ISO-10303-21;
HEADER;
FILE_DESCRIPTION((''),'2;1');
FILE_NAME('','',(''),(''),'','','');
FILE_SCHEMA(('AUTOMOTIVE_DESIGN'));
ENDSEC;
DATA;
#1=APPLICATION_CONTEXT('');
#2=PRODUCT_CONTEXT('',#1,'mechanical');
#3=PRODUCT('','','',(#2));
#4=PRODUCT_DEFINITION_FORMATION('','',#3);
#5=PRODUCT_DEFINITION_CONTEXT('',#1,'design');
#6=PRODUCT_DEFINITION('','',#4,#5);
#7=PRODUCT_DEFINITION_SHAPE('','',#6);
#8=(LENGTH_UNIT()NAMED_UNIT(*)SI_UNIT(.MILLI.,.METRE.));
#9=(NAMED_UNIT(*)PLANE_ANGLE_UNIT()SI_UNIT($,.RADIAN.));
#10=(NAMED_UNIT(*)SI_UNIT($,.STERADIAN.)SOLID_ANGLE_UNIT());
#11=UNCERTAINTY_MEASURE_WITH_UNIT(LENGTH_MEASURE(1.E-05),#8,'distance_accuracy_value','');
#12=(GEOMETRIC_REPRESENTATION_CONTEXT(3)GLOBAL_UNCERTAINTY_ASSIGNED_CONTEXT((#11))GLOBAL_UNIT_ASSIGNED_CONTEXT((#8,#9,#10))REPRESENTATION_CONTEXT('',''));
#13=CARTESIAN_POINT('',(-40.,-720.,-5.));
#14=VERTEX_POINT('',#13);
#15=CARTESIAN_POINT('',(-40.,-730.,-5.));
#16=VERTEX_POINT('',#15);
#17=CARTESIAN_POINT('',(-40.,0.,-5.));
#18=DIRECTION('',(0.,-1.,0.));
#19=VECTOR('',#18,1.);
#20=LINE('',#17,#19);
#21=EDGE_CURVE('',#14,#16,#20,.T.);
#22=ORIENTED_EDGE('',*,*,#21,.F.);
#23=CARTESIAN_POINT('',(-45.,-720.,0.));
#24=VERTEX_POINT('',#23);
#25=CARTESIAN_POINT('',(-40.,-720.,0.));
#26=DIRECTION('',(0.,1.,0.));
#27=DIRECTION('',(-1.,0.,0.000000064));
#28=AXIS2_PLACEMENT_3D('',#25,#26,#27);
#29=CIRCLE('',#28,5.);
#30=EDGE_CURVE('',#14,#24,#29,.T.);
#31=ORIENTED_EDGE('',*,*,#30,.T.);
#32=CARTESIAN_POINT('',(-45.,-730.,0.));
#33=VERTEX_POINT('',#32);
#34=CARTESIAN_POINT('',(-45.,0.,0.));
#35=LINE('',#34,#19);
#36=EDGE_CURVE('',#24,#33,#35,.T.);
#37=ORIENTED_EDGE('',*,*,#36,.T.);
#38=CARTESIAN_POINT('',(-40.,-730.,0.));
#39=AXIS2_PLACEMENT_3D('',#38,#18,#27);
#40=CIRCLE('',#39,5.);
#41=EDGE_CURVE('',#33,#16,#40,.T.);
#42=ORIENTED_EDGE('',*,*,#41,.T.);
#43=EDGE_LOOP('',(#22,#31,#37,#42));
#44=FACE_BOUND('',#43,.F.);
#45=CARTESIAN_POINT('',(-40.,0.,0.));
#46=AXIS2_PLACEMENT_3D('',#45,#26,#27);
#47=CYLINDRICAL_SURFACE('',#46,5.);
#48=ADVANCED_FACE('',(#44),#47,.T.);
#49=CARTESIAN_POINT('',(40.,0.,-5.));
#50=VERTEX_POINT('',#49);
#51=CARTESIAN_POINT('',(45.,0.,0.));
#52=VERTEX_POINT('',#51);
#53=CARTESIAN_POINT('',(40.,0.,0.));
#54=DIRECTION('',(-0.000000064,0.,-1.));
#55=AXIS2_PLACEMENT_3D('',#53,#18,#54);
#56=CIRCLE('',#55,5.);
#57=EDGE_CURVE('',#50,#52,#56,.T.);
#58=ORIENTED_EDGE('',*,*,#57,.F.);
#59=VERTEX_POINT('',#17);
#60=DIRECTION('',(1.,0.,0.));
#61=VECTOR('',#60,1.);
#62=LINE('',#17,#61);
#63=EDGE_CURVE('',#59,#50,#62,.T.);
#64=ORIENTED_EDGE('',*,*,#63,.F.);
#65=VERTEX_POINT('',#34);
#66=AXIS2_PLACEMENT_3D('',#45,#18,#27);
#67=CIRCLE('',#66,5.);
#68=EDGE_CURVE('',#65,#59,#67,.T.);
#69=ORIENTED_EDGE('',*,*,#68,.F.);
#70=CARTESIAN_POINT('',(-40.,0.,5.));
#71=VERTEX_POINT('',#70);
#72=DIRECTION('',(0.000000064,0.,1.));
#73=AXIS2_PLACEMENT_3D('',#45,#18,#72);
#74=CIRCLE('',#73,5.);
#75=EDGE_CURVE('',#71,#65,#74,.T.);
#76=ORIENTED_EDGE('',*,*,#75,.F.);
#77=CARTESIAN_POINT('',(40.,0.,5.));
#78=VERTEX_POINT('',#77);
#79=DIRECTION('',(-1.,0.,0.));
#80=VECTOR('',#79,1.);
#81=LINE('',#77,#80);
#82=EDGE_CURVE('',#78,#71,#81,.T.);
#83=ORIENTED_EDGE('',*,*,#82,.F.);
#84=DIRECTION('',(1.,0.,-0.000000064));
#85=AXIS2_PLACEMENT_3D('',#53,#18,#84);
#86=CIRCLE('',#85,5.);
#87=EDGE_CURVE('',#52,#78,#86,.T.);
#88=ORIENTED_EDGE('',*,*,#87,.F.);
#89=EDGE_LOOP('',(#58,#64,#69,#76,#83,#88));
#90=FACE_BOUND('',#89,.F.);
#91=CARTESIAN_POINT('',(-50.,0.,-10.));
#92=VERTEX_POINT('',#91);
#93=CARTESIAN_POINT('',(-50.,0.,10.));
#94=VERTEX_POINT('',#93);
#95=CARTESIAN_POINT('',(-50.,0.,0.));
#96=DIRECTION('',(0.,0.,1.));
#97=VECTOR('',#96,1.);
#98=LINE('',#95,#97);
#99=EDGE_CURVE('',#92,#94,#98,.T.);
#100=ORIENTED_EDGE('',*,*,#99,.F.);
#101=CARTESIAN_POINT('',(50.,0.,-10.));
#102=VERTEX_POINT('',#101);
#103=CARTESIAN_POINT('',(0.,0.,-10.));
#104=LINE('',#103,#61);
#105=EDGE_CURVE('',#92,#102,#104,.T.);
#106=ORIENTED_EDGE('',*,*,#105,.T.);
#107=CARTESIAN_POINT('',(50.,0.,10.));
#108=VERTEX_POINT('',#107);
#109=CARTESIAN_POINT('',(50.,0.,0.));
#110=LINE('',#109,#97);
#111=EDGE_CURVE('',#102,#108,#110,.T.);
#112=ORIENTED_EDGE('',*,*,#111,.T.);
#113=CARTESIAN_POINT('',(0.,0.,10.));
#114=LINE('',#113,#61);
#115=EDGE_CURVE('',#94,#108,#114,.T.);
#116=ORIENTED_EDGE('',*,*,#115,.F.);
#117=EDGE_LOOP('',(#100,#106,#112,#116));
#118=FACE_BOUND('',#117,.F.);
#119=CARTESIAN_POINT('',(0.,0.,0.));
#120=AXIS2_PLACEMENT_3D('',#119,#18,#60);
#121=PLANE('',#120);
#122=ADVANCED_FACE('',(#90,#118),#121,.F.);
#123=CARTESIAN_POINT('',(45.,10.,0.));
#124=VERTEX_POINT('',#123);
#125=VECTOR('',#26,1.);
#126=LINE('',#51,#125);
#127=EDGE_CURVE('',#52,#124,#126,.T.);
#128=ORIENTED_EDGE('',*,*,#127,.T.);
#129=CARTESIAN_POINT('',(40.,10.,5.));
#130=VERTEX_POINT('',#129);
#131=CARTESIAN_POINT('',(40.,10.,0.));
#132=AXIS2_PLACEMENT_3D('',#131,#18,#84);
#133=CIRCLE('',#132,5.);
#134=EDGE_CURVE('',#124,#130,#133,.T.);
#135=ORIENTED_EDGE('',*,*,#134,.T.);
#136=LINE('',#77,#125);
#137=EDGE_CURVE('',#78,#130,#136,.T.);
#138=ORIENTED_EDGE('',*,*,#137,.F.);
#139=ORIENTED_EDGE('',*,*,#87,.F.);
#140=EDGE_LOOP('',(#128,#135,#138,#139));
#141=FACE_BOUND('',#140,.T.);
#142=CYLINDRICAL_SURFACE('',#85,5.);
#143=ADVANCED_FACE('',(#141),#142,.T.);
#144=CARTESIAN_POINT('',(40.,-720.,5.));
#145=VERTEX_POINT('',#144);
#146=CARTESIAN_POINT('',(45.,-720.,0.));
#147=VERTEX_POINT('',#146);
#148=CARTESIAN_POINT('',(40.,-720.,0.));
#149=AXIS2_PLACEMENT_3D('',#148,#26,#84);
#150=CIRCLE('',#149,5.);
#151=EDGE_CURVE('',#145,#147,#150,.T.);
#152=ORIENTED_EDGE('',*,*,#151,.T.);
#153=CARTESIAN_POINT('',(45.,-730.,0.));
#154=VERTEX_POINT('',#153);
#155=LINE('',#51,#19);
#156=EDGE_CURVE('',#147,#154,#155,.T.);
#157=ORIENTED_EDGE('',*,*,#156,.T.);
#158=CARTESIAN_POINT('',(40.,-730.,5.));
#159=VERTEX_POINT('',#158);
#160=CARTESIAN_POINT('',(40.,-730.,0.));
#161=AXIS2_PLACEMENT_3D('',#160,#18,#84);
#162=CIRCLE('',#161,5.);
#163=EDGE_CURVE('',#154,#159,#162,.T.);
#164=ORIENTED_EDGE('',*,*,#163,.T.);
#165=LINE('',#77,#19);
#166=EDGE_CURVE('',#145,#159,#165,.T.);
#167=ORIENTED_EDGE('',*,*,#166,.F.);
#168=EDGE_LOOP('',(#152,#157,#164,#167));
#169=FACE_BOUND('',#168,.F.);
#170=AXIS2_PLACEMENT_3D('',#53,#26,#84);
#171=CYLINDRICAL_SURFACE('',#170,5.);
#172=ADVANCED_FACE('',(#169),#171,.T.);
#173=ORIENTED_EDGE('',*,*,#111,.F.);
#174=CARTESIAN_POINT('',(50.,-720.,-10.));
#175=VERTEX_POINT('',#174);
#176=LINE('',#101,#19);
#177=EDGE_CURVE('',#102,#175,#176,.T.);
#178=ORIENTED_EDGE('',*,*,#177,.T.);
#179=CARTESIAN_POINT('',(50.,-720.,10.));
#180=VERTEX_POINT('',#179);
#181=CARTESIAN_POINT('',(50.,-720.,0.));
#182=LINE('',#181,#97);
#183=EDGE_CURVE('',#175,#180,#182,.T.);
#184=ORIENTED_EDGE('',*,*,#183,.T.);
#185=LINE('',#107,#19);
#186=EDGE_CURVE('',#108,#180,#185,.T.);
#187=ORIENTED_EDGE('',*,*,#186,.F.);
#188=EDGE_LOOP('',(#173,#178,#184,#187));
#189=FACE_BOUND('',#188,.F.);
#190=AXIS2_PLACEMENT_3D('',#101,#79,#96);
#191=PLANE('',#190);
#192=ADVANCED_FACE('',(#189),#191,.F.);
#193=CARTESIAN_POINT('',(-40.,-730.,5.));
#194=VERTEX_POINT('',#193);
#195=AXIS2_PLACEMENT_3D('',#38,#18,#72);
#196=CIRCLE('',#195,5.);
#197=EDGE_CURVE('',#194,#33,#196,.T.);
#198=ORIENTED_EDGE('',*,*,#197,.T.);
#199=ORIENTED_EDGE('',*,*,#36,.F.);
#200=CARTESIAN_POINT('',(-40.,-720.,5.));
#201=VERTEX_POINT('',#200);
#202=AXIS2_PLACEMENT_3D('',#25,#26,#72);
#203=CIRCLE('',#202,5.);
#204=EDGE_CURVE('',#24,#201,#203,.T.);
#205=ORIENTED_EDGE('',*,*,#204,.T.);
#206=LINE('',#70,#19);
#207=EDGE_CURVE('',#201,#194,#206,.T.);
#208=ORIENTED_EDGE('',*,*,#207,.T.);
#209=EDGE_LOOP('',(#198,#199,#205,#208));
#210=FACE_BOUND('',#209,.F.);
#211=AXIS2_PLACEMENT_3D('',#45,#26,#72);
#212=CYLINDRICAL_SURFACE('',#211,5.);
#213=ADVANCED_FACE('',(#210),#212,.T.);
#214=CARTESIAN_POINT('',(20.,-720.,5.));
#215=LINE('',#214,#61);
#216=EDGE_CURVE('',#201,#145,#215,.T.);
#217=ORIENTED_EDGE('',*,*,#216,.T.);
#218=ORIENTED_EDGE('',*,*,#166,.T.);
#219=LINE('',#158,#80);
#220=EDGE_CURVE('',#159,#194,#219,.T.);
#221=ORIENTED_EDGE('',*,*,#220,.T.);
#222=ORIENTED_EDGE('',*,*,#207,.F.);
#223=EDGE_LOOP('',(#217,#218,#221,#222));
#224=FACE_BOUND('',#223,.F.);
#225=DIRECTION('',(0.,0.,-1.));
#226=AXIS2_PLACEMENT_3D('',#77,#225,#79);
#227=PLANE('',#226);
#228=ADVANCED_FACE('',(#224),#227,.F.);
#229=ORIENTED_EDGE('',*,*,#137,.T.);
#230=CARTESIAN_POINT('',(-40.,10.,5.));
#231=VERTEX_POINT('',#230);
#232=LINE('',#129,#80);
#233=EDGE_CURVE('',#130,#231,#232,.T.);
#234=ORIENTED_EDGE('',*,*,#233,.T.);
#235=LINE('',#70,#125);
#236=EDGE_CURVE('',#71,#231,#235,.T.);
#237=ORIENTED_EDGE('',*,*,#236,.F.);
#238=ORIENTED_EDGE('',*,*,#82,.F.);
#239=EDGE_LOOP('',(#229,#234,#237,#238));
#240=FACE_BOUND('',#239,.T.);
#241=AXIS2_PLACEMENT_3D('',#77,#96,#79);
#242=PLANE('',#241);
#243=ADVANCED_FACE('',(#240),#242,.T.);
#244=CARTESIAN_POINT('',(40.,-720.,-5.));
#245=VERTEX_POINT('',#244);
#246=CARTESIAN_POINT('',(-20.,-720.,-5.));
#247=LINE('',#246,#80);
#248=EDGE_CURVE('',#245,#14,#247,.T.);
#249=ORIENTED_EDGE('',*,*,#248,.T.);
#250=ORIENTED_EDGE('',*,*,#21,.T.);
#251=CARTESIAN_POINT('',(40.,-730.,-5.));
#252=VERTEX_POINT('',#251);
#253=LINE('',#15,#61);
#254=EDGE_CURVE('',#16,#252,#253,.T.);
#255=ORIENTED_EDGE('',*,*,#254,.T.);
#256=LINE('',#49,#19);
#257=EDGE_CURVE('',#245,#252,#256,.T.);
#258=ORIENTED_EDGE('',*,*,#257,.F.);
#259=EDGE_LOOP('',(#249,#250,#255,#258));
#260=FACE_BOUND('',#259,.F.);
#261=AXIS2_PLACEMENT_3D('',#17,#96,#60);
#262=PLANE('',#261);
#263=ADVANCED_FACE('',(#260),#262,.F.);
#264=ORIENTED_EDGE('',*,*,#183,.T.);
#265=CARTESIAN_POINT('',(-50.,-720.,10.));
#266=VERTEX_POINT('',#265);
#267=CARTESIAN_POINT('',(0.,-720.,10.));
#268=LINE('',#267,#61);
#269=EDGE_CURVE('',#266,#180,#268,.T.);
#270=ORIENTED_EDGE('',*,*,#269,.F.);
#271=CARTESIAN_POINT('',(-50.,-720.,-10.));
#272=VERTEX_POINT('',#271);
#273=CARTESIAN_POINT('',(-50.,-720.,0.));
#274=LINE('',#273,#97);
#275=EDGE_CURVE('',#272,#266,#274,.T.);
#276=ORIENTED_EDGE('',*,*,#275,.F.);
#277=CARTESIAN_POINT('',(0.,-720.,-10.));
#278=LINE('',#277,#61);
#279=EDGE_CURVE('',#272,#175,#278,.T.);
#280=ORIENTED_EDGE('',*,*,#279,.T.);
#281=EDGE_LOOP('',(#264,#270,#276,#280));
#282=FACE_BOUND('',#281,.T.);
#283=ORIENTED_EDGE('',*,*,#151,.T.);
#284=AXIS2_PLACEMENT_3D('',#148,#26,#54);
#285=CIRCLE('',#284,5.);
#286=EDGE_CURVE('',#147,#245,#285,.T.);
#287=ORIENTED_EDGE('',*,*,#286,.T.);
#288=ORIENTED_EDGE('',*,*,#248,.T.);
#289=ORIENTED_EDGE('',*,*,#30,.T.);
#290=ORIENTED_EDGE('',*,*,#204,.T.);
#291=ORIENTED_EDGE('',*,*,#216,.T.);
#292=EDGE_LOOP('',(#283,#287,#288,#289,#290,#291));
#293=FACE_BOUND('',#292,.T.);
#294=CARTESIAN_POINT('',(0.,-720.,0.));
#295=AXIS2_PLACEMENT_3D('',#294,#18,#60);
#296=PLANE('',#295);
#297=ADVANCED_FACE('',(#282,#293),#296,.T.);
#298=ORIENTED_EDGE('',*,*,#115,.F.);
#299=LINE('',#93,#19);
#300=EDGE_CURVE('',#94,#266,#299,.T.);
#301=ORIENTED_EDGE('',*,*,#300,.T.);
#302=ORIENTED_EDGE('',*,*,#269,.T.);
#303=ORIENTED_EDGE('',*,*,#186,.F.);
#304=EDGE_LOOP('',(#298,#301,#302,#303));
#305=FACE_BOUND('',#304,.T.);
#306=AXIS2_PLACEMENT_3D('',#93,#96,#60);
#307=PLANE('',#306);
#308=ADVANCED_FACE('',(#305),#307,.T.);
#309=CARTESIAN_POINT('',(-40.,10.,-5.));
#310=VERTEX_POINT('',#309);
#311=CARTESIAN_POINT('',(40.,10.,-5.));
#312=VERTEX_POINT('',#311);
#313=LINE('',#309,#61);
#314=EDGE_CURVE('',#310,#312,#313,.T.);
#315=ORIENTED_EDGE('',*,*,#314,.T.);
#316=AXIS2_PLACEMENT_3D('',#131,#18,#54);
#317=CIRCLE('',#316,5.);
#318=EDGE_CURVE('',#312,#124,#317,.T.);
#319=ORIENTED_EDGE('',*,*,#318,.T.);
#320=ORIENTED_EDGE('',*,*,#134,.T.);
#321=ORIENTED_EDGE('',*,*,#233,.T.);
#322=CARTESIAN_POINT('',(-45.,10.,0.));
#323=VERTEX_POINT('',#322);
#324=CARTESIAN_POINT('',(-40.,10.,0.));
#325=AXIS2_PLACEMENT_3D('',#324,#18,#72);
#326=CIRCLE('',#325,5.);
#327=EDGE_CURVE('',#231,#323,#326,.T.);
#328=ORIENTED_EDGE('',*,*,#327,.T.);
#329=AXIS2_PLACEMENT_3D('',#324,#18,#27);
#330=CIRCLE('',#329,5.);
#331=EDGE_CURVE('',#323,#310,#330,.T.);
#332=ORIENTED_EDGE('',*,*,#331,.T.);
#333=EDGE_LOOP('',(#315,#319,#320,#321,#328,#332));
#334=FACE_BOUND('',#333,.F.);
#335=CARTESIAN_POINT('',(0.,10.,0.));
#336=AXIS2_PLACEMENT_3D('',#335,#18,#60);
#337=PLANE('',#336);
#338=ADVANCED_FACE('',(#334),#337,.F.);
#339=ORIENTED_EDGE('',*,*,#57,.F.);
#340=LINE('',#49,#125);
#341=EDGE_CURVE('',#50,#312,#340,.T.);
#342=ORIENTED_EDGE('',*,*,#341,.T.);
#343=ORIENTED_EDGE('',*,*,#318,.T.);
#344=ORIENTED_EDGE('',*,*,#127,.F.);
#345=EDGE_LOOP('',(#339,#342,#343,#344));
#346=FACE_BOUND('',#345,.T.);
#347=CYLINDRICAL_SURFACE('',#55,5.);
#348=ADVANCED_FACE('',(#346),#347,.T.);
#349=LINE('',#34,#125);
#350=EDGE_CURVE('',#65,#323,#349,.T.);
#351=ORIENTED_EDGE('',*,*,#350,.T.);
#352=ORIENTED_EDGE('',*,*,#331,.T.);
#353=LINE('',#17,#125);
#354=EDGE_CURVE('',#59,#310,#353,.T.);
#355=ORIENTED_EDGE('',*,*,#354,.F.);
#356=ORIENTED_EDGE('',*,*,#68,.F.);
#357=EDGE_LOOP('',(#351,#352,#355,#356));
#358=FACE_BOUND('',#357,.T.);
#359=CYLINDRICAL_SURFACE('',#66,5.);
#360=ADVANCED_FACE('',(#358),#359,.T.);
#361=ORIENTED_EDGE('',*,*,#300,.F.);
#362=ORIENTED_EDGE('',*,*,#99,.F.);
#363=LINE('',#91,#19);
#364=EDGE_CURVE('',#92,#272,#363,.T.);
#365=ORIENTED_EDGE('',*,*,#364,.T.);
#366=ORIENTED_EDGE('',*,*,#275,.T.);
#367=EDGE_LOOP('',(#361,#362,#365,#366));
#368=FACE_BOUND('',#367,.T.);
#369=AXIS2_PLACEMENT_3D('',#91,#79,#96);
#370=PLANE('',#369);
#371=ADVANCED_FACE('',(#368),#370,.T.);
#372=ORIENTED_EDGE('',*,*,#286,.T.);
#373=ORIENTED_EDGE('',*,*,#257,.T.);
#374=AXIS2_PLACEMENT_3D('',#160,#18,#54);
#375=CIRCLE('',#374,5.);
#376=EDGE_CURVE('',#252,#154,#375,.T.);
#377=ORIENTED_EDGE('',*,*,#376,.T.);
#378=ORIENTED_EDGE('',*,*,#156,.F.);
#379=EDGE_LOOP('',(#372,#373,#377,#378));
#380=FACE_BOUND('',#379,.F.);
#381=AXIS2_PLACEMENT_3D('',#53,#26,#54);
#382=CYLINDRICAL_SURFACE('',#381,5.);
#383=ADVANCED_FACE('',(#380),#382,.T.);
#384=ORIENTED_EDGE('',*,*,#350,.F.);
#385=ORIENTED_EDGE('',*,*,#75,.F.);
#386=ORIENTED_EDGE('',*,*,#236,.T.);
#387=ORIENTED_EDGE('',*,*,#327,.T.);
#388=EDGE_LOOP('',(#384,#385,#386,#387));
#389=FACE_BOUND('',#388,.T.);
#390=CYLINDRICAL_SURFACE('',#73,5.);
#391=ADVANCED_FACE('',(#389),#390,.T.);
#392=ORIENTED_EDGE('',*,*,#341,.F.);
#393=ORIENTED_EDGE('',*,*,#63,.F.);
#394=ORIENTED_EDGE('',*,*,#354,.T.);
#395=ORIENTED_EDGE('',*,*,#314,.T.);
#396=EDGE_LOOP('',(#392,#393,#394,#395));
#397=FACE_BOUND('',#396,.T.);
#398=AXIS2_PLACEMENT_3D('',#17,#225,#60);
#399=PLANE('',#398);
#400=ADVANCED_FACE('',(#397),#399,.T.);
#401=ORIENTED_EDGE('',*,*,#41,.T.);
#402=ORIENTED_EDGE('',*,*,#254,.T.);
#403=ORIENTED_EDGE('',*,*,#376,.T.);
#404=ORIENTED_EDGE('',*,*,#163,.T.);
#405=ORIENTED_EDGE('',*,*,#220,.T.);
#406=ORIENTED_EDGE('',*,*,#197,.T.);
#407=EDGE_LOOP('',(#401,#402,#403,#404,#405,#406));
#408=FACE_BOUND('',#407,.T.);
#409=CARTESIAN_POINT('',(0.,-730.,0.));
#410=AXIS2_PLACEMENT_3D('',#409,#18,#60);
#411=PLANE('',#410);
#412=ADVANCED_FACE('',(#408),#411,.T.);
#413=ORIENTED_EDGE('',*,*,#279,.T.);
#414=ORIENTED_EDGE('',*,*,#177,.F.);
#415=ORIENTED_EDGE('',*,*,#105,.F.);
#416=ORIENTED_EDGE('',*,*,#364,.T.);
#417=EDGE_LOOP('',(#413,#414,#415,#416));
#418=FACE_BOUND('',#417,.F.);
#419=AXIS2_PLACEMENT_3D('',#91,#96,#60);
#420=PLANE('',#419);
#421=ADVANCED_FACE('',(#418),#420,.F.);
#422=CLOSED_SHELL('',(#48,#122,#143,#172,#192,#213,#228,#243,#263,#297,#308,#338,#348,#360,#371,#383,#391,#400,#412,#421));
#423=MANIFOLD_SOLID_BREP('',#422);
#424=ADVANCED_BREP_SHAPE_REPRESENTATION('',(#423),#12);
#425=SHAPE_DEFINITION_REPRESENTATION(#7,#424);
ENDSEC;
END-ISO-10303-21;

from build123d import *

# Parameters (mm, degrees)
F0_W     = 100
F0_H     = 20
F1_DEPTH = 720
F2_DEPTH = 10
F3_DEPTH = 730


with BuildPart() as f1:
    # F0 (on Front) → F1 (new body)
    with BuildSketch(Plane.XZ):
        Rectangle(F0_W, F0_H)
        with BuildLine():
            Line((-40, 5), (40, 5))
            ThreePointArc((40, 5), (43.535534, 3.535534), (45, 0))
            ThreePointArc((45, 0), (43.535534, -3.535534), (40, -5))
            Line((40, -5), (-40, -5))
            ThreePointArc((-40, -5), (-43.535534, -3.535534), (-45, 0))
            ThreePointArc((-45, 0), (-43.535534, 3.535534), (-40, 5))
        make_face(mode=Mode.SUBTRACT)
        with BuildLine():
            ThreePointArc((45, 0), (43.535534, 3.535534), (40, 5))
            Line((40, 5), (-40, 5))
            ThreePointArc((-40, 5), (-43.535534, 3.535534), (-45, 0))
            ThreePointArc((-45, 0), (-43.535534, -3.535534), (-40, -5))
            Line((-40, -5), (40, -5))
            ThreePointArc((40, -5), (43.535534, -3.535534), (45, 0))
        make_face()
    extrude(amount=F1_DEPTH)

    # F0 (on Front) → F2 (join)
    with BuildSketch(Plane.XZ):
        with BuildLine():
            ThreePointArc((45, 0), (43.535534, 3.535534), (40, 5))
            Line((40, 5), (-40, 5))
            ThreePointArc((-40, 5), (-43.535534, 3.535534), (-45, 0))
            ThreePointArc((-45, 0), (-43.535534, -3.535534), (-40, -5))
            Line((-40, -5), (40, -5))
            ThreePointArc((40, -5), (43.535534, -3.535534), (45, 0))
        make_face()
    extrude(amount=-F2_DEPTH)

    # F0 (on Front) → F3 (join)
    with BuildSketch(Plane.XZ):
        with BuildLine():
            ThreePointArc((45, 0), (43.535534, 3.535534), (40, 5))
            Line((40, 5), (-40, 5))
            ThreePointArc((-40, 5), (-43.535534, 3.535534), (-45, 0))
            ThreePointArc((-45, 0), (-43.535534, -3.535534), (-40, -5))
            Line((-40, -5), (40, -5))
            ThreePointArc((40, -5), (43.535534, -3.535534), (45, 0))
        make_face()
    extrude(amount=F3_DEPTH)


solid = f1.part
